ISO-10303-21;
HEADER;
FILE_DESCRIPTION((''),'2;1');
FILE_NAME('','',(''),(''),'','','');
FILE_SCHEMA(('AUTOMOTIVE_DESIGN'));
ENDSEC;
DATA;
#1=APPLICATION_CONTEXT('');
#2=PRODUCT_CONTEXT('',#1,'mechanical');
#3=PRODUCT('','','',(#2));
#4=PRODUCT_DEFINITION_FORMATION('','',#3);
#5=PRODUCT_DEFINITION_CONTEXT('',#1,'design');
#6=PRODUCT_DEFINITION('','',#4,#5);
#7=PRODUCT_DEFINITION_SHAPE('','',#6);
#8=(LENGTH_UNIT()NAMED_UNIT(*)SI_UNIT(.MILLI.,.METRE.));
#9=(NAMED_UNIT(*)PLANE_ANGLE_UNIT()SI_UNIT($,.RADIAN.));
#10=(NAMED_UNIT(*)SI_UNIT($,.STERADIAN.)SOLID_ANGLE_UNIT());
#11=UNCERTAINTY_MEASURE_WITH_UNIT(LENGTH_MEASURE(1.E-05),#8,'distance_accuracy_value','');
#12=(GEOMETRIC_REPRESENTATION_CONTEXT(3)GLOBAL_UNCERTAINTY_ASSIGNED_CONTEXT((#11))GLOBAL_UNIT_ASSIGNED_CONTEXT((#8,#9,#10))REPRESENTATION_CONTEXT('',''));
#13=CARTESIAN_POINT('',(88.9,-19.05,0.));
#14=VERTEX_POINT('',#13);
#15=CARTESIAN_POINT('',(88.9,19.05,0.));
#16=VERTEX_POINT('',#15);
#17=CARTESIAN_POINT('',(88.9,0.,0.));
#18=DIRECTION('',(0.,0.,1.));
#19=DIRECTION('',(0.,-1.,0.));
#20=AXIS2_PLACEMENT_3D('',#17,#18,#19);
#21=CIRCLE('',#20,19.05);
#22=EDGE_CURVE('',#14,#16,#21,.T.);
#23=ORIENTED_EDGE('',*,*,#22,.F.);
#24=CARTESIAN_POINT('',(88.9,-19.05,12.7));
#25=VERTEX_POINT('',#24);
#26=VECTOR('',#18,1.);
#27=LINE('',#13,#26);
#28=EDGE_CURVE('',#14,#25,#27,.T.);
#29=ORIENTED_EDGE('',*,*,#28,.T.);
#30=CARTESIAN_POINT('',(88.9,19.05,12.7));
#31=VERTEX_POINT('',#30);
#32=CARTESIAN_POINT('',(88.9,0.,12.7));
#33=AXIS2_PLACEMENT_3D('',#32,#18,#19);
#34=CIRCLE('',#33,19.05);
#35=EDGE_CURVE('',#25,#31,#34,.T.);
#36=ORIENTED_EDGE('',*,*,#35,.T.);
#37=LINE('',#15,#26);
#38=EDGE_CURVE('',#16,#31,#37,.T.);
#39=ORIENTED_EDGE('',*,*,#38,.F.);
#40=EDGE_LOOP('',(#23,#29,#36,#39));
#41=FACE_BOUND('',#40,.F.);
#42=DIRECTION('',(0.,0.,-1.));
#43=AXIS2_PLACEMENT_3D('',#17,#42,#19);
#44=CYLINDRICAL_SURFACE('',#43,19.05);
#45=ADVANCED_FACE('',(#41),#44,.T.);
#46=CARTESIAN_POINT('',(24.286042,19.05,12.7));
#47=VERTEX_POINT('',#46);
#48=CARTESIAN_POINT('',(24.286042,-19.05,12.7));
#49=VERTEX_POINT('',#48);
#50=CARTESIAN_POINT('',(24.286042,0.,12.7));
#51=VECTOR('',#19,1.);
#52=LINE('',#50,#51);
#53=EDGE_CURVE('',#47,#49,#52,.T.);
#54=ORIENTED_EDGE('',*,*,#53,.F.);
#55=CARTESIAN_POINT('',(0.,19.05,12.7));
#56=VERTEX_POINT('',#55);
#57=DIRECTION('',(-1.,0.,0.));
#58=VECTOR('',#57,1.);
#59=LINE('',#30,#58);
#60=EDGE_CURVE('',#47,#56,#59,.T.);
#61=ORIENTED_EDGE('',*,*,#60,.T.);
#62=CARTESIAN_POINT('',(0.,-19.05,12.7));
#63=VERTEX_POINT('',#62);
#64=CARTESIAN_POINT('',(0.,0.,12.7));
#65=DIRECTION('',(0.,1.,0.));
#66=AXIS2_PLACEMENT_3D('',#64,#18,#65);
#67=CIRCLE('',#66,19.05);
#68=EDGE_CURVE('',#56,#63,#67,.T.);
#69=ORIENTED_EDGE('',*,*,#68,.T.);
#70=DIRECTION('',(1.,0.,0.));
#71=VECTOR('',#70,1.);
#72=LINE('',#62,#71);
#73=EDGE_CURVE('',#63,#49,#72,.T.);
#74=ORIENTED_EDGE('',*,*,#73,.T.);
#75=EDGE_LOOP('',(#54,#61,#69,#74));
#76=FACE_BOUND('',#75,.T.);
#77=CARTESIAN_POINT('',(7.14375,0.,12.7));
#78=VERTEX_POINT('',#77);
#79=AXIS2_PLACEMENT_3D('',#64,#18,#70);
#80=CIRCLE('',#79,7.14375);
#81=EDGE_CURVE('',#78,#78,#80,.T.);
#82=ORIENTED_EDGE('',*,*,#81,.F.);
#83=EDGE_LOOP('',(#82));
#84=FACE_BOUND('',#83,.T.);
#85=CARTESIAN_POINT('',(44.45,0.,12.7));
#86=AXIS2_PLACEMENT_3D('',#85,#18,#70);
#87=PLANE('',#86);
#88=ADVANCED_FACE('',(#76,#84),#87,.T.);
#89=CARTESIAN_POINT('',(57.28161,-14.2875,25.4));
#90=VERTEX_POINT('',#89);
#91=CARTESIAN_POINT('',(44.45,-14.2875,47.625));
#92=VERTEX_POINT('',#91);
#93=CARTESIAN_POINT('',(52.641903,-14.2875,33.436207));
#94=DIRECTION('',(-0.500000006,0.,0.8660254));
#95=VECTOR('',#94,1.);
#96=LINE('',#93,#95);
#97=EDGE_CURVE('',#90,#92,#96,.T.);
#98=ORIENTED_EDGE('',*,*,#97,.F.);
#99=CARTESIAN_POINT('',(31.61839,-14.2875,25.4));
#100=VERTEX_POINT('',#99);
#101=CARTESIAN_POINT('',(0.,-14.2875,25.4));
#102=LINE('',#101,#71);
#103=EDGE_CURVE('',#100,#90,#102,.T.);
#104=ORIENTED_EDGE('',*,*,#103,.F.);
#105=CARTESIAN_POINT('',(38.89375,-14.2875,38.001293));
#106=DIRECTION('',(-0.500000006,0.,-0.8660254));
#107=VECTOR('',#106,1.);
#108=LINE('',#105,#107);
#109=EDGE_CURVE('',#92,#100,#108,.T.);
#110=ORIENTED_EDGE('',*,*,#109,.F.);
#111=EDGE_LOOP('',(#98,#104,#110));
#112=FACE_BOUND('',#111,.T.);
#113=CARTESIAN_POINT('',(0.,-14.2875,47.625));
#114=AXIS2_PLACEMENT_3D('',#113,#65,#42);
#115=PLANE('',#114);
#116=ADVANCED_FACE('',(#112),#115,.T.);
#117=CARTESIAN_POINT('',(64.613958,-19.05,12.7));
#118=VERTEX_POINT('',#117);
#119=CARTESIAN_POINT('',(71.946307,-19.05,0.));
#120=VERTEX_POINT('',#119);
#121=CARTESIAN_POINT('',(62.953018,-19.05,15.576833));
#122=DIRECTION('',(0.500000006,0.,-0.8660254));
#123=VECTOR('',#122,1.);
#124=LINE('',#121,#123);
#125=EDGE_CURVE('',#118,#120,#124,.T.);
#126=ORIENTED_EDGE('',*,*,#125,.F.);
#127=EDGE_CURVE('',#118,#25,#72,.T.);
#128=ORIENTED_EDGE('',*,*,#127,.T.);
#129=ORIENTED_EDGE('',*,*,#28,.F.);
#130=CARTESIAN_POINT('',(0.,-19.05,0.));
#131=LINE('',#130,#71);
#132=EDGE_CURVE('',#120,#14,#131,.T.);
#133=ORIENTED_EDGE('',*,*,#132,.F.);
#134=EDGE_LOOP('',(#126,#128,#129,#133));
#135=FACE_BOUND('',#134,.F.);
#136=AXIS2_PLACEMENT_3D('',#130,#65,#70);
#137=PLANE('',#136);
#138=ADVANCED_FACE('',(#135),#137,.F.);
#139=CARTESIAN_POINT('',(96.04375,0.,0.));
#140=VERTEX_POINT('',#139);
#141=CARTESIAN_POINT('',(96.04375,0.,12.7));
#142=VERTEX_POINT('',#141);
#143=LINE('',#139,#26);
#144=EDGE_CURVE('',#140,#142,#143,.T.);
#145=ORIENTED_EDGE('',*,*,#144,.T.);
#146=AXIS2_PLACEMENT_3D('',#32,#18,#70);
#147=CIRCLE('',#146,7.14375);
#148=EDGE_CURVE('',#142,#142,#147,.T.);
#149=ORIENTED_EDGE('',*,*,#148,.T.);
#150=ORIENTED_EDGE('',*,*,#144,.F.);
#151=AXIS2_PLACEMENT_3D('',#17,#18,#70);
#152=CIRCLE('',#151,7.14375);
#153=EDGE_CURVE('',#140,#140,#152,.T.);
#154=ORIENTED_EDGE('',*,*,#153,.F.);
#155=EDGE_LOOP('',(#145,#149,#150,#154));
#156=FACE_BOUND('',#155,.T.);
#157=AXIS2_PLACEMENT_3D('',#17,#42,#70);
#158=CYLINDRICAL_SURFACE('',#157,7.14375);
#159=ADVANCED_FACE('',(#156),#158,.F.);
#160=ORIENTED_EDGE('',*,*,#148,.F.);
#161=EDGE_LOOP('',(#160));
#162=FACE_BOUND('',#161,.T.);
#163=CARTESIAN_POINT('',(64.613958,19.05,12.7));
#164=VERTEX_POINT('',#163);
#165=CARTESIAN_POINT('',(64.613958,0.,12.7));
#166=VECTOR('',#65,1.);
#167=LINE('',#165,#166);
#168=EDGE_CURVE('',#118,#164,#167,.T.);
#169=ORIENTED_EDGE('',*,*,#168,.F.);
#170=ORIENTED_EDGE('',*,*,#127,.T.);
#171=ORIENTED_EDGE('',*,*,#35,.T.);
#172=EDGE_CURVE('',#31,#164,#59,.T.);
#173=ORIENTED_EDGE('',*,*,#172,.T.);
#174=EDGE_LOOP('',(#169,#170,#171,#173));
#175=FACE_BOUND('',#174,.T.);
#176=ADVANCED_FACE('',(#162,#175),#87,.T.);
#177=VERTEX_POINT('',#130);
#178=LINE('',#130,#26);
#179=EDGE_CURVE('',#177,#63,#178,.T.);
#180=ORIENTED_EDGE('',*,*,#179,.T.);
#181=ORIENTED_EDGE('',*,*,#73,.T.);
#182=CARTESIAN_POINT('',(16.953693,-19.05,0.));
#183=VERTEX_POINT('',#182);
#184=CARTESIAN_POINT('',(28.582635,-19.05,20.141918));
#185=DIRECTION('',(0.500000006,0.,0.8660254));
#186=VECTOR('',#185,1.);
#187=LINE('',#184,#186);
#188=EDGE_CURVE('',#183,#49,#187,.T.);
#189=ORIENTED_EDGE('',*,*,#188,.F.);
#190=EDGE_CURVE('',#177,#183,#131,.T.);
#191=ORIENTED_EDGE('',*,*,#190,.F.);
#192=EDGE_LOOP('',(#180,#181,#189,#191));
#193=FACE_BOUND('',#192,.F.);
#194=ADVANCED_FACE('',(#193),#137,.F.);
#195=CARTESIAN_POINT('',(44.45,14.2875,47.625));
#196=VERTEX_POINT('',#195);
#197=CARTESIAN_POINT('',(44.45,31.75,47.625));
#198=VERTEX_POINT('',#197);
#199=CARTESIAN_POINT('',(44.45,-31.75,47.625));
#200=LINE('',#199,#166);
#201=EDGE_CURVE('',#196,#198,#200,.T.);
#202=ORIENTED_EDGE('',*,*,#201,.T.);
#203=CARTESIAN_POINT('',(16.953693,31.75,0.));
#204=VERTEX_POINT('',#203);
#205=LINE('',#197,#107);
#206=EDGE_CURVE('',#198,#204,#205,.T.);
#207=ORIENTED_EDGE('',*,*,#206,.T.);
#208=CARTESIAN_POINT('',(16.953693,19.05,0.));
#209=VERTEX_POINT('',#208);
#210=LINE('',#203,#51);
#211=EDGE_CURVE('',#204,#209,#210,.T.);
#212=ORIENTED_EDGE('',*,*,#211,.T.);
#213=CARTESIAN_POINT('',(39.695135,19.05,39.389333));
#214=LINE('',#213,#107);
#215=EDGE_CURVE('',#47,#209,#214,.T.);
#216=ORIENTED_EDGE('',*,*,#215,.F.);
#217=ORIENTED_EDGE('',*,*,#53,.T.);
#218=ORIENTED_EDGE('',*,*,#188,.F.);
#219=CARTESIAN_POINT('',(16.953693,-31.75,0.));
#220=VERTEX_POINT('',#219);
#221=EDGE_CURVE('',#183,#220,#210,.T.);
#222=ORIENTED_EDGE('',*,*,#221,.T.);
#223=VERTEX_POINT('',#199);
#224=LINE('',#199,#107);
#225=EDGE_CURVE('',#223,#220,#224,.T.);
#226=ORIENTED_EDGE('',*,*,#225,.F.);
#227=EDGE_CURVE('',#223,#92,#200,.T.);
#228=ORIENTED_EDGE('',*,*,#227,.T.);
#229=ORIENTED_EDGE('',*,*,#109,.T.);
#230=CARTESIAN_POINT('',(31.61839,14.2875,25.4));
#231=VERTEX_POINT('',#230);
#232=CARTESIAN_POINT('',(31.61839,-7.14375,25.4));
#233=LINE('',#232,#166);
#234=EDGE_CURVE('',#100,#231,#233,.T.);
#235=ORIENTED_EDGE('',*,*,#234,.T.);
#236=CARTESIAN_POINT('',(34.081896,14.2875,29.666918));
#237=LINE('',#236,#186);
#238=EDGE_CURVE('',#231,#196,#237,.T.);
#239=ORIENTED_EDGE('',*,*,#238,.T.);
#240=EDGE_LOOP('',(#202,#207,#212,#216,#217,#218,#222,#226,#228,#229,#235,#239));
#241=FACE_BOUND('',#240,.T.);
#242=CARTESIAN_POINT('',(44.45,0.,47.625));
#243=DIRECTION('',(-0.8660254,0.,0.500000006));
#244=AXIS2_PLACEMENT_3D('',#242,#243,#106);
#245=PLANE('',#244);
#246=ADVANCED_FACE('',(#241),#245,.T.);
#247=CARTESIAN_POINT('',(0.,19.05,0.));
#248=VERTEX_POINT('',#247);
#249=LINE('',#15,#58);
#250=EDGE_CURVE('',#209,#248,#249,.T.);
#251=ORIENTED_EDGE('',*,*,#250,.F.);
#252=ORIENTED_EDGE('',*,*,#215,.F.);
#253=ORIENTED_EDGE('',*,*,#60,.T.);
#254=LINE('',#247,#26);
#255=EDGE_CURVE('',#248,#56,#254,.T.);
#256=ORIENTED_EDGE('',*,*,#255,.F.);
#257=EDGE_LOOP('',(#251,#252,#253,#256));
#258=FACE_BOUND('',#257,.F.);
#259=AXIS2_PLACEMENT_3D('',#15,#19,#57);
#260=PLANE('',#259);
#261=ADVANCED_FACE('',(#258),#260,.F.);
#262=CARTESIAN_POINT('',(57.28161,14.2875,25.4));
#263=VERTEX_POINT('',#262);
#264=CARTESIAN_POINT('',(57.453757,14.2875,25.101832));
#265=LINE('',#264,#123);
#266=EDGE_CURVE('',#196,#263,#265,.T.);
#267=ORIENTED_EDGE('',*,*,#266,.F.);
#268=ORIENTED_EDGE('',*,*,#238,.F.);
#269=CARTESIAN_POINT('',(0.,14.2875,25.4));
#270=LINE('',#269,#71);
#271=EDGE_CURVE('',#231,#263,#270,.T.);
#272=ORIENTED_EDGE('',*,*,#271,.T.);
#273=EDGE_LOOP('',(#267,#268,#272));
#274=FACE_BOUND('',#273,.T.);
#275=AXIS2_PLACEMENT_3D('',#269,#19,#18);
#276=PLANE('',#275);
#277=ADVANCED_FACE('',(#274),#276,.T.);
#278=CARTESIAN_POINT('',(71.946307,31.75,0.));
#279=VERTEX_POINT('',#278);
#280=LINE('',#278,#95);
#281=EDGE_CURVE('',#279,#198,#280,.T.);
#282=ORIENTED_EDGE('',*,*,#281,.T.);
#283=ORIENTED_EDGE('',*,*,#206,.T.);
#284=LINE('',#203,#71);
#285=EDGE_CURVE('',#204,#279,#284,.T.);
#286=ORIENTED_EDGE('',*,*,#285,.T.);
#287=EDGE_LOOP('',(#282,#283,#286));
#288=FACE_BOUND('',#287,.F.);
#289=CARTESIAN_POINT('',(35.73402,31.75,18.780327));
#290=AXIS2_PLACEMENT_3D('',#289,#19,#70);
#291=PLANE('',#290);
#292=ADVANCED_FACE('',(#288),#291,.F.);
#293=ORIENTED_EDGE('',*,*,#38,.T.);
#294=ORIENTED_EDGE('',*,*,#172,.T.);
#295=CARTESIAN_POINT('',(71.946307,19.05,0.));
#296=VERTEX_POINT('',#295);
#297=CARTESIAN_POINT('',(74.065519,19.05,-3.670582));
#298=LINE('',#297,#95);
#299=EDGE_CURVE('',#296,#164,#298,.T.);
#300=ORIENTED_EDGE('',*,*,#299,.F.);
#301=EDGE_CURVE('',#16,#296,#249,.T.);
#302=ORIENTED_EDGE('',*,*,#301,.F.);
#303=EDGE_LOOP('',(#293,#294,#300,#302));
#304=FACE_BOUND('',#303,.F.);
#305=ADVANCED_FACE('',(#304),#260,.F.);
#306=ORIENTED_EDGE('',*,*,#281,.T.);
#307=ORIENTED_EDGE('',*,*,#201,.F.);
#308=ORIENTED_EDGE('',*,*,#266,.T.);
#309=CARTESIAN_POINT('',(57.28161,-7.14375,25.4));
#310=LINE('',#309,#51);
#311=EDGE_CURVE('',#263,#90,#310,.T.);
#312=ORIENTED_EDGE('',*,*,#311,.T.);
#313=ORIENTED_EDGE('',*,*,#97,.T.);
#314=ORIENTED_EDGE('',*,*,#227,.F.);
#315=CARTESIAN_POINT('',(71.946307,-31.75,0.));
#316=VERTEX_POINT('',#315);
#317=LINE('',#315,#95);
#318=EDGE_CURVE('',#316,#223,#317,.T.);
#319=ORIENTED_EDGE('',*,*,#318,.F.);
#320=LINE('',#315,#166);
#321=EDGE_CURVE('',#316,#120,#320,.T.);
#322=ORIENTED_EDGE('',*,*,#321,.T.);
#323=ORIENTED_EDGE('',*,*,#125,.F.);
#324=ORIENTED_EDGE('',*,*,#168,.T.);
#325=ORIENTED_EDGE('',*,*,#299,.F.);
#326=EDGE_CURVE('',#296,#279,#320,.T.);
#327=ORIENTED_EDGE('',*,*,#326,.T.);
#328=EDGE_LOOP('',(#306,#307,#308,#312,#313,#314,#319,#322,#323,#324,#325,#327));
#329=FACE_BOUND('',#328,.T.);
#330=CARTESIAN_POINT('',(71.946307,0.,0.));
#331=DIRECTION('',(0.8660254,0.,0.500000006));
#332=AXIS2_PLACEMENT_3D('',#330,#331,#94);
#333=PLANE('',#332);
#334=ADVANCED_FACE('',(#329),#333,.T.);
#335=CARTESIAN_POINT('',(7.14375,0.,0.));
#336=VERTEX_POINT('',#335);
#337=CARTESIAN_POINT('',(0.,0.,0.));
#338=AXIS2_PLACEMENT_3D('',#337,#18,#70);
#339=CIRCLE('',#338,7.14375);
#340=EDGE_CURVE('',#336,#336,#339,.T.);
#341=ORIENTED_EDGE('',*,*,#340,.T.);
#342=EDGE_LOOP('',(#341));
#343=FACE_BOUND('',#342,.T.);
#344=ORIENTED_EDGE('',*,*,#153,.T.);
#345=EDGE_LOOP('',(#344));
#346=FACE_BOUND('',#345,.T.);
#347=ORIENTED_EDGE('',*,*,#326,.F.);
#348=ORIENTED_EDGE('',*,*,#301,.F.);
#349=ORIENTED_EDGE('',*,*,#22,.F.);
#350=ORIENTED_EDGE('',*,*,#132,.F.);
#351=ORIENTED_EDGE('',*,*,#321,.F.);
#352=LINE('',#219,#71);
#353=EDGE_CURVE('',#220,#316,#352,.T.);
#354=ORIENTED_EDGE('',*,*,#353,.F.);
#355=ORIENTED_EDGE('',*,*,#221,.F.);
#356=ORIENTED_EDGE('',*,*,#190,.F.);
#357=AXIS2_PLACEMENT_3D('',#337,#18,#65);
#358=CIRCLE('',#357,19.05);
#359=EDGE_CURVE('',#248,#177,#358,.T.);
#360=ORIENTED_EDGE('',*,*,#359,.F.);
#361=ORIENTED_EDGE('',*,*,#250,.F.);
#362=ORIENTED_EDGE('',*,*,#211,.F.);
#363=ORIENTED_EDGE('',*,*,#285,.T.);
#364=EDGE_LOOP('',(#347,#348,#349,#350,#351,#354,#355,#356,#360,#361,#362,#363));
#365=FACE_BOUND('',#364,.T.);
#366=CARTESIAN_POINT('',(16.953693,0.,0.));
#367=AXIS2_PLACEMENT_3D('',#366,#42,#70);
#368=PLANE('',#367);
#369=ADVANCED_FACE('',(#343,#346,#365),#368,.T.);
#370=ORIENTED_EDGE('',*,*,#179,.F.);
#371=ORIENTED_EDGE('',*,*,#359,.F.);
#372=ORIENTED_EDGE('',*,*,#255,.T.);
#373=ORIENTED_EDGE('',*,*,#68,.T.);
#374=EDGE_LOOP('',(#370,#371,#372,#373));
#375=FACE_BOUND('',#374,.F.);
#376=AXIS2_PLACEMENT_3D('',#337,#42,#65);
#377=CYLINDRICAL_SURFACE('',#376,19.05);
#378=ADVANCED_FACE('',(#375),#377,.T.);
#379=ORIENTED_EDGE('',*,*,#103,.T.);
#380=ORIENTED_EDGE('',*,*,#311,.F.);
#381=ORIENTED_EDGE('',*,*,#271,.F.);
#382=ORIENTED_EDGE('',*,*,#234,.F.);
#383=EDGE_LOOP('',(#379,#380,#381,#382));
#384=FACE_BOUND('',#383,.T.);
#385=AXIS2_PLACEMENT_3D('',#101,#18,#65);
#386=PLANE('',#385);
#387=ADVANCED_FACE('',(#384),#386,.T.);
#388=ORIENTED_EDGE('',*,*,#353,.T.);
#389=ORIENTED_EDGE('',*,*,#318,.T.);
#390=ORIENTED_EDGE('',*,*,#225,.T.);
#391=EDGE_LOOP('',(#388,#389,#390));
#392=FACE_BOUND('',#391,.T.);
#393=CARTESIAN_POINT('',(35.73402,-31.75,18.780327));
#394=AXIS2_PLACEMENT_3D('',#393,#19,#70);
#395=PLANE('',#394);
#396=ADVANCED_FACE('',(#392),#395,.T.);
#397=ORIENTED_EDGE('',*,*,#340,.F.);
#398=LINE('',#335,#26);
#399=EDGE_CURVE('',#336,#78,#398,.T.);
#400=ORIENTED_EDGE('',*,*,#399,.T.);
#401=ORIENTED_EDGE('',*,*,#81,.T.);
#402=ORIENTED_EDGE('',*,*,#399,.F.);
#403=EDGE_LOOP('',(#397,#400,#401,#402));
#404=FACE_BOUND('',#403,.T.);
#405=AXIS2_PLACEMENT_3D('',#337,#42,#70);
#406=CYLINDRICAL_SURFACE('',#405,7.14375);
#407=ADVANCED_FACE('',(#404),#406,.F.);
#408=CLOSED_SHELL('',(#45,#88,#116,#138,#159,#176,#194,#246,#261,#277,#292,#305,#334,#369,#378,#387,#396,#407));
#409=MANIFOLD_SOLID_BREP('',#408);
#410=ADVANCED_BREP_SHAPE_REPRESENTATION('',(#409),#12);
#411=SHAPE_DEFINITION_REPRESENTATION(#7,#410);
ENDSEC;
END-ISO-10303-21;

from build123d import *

# Parameters (mm, degrees)
F0_R     = 7.14375
F1_DEPTH = 12.7
F3_DEPTH = 31.75
F5_DEPTH = 107.951


with BuildPart() as f1:
    # F0 (on Top) → F1 (new body)
    with BuildSketch(Plane.XY):
        with BuildLine():
            Line((0, -19.05), (88.9, -19.05))
            ThreePointArc((88.9, -19.05), (107.95, 0), (88.9, 19.05))
            Line((88.9, 19.05), (0, 19.05))
            ThreePointArc((0, 19.05), (-19.05, 0), (0, -19.05))
        make_face()
        Circle(F0_R, mode=Mode.SUBTRACT)
        with Locations((88.9, 0)):
            Circle(F0_R, mode=Mode.SUBTRACT)
    extrude(amount=F1_DEPTH)

    # F2 (on Front) → F3 (join, symmetric)
    with BuildSketch(Plane.XZ):
        Polygon((44.45, 47.625), (16.953693, 0), (44.45, 0), align=None)
        Polygon((44.45, 47.625), (44.45, 0), (71.946307, 0), align=None)
    extrude(amount=F3_DEPTH, both=True)

    # F4 (on Right) → F5 (cut, through all)
    with BuildSketch(Plane.YZ):
        Polygon((-14.2875, 25.4), (0, 25.4), (14.2875, 25.4), (14.2875, 47.625), (-14.2875, 47.625), align=None)
    extrude(amount=F5_DEPTH, mode=Mode.SUBTRACT)


solid = f1.part
